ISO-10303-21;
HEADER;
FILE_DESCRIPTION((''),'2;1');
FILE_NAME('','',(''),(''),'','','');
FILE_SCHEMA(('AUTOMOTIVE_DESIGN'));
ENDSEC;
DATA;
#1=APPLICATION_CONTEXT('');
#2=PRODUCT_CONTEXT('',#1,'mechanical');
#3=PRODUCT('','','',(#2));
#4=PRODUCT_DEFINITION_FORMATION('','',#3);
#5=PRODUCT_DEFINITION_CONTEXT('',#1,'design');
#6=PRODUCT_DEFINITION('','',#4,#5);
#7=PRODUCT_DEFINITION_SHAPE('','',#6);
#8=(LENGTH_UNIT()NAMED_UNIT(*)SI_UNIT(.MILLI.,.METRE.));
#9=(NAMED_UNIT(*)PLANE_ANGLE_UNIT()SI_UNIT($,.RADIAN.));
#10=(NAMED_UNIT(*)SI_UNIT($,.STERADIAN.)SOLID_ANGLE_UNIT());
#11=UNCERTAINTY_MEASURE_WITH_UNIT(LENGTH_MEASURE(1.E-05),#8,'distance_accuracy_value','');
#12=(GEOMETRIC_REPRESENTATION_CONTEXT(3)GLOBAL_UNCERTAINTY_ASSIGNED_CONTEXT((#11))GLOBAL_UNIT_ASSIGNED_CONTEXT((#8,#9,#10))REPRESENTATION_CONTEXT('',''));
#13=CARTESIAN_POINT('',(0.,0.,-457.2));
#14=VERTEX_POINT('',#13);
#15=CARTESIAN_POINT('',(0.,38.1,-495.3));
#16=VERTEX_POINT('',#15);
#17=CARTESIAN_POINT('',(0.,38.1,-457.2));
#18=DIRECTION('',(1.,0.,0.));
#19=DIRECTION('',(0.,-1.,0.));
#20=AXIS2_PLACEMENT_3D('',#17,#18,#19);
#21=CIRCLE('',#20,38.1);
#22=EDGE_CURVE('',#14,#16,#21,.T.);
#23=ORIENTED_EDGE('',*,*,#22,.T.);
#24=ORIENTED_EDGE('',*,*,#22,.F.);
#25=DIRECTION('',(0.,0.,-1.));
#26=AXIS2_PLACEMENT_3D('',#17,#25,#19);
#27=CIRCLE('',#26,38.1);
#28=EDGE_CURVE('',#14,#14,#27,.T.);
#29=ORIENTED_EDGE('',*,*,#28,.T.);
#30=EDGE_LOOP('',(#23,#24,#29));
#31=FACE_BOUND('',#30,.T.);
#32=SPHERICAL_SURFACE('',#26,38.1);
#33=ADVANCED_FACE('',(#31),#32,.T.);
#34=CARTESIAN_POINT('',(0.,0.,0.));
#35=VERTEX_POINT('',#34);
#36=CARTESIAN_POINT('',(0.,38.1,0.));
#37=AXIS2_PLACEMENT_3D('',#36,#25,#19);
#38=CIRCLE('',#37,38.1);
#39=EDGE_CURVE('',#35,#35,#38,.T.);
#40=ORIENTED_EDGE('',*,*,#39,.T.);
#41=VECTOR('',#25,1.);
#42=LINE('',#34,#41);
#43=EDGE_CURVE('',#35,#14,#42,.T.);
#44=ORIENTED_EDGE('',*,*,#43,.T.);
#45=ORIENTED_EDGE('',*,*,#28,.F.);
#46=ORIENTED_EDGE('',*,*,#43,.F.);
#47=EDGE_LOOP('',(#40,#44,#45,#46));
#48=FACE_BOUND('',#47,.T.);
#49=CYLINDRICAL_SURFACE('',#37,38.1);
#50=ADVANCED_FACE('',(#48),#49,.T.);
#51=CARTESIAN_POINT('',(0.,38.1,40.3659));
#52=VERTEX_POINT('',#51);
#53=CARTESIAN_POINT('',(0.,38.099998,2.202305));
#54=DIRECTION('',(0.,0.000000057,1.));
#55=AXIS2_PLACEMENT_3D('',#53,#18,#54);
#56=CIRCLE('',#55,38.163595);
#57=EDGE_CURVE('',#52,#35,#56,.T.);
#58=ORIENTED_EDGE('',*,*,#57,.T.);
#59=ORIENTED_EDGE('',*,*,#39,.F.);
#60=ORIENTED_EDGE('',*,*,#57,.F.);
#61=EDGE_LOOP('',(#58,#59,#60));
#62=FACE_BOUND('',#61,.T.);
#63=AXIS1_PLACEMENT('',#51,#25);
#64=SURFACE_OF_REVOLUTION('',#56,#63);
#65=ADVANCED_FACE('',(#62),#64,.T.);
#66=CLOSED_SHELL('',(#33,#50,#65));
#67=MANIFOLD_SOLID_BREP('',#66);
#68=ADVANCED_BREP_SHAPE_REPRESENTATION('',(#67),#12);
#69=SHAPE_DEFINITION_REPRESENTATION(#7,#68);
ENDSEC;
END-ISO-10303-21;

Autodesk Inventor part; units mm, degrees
ref_plane "YZ Plane" through (0, 0, 0) normal (1, 0, 0) x (0, 1, 0)
ref_plane "XZ Plane" through (0, 0, 0) normal (0, 1, 0) x (-1, 0, 0)
ref_plane "XY Plane" through (0, 0, 0) normal (0, 0, 1) x (1, 0, 0)
sketch "Sketch1" plane through (0, 0, 0) normal (1, 0, 0) x (0, 1, 0)
  line L0 (0, 0) -> (0, -457.2)
  arc A0 (0, -457.2) -> (38.1, -495.3) centre (38.1, -457.2) ccw
  line L1 (38.1, 40.3659) -> (38.1, -495.3)
  arc A1 (38.1, 40.3659) -> (0, 0) centre (38.1, 2.2023) ccw
  dimension "d0" = 457.2
revolve "Revolution1" add sketch "Sketch1" angle 360 about axis through (0, 38.1, 40.3659) along (0, 0, -1)
properties part number "AirTankV1"
